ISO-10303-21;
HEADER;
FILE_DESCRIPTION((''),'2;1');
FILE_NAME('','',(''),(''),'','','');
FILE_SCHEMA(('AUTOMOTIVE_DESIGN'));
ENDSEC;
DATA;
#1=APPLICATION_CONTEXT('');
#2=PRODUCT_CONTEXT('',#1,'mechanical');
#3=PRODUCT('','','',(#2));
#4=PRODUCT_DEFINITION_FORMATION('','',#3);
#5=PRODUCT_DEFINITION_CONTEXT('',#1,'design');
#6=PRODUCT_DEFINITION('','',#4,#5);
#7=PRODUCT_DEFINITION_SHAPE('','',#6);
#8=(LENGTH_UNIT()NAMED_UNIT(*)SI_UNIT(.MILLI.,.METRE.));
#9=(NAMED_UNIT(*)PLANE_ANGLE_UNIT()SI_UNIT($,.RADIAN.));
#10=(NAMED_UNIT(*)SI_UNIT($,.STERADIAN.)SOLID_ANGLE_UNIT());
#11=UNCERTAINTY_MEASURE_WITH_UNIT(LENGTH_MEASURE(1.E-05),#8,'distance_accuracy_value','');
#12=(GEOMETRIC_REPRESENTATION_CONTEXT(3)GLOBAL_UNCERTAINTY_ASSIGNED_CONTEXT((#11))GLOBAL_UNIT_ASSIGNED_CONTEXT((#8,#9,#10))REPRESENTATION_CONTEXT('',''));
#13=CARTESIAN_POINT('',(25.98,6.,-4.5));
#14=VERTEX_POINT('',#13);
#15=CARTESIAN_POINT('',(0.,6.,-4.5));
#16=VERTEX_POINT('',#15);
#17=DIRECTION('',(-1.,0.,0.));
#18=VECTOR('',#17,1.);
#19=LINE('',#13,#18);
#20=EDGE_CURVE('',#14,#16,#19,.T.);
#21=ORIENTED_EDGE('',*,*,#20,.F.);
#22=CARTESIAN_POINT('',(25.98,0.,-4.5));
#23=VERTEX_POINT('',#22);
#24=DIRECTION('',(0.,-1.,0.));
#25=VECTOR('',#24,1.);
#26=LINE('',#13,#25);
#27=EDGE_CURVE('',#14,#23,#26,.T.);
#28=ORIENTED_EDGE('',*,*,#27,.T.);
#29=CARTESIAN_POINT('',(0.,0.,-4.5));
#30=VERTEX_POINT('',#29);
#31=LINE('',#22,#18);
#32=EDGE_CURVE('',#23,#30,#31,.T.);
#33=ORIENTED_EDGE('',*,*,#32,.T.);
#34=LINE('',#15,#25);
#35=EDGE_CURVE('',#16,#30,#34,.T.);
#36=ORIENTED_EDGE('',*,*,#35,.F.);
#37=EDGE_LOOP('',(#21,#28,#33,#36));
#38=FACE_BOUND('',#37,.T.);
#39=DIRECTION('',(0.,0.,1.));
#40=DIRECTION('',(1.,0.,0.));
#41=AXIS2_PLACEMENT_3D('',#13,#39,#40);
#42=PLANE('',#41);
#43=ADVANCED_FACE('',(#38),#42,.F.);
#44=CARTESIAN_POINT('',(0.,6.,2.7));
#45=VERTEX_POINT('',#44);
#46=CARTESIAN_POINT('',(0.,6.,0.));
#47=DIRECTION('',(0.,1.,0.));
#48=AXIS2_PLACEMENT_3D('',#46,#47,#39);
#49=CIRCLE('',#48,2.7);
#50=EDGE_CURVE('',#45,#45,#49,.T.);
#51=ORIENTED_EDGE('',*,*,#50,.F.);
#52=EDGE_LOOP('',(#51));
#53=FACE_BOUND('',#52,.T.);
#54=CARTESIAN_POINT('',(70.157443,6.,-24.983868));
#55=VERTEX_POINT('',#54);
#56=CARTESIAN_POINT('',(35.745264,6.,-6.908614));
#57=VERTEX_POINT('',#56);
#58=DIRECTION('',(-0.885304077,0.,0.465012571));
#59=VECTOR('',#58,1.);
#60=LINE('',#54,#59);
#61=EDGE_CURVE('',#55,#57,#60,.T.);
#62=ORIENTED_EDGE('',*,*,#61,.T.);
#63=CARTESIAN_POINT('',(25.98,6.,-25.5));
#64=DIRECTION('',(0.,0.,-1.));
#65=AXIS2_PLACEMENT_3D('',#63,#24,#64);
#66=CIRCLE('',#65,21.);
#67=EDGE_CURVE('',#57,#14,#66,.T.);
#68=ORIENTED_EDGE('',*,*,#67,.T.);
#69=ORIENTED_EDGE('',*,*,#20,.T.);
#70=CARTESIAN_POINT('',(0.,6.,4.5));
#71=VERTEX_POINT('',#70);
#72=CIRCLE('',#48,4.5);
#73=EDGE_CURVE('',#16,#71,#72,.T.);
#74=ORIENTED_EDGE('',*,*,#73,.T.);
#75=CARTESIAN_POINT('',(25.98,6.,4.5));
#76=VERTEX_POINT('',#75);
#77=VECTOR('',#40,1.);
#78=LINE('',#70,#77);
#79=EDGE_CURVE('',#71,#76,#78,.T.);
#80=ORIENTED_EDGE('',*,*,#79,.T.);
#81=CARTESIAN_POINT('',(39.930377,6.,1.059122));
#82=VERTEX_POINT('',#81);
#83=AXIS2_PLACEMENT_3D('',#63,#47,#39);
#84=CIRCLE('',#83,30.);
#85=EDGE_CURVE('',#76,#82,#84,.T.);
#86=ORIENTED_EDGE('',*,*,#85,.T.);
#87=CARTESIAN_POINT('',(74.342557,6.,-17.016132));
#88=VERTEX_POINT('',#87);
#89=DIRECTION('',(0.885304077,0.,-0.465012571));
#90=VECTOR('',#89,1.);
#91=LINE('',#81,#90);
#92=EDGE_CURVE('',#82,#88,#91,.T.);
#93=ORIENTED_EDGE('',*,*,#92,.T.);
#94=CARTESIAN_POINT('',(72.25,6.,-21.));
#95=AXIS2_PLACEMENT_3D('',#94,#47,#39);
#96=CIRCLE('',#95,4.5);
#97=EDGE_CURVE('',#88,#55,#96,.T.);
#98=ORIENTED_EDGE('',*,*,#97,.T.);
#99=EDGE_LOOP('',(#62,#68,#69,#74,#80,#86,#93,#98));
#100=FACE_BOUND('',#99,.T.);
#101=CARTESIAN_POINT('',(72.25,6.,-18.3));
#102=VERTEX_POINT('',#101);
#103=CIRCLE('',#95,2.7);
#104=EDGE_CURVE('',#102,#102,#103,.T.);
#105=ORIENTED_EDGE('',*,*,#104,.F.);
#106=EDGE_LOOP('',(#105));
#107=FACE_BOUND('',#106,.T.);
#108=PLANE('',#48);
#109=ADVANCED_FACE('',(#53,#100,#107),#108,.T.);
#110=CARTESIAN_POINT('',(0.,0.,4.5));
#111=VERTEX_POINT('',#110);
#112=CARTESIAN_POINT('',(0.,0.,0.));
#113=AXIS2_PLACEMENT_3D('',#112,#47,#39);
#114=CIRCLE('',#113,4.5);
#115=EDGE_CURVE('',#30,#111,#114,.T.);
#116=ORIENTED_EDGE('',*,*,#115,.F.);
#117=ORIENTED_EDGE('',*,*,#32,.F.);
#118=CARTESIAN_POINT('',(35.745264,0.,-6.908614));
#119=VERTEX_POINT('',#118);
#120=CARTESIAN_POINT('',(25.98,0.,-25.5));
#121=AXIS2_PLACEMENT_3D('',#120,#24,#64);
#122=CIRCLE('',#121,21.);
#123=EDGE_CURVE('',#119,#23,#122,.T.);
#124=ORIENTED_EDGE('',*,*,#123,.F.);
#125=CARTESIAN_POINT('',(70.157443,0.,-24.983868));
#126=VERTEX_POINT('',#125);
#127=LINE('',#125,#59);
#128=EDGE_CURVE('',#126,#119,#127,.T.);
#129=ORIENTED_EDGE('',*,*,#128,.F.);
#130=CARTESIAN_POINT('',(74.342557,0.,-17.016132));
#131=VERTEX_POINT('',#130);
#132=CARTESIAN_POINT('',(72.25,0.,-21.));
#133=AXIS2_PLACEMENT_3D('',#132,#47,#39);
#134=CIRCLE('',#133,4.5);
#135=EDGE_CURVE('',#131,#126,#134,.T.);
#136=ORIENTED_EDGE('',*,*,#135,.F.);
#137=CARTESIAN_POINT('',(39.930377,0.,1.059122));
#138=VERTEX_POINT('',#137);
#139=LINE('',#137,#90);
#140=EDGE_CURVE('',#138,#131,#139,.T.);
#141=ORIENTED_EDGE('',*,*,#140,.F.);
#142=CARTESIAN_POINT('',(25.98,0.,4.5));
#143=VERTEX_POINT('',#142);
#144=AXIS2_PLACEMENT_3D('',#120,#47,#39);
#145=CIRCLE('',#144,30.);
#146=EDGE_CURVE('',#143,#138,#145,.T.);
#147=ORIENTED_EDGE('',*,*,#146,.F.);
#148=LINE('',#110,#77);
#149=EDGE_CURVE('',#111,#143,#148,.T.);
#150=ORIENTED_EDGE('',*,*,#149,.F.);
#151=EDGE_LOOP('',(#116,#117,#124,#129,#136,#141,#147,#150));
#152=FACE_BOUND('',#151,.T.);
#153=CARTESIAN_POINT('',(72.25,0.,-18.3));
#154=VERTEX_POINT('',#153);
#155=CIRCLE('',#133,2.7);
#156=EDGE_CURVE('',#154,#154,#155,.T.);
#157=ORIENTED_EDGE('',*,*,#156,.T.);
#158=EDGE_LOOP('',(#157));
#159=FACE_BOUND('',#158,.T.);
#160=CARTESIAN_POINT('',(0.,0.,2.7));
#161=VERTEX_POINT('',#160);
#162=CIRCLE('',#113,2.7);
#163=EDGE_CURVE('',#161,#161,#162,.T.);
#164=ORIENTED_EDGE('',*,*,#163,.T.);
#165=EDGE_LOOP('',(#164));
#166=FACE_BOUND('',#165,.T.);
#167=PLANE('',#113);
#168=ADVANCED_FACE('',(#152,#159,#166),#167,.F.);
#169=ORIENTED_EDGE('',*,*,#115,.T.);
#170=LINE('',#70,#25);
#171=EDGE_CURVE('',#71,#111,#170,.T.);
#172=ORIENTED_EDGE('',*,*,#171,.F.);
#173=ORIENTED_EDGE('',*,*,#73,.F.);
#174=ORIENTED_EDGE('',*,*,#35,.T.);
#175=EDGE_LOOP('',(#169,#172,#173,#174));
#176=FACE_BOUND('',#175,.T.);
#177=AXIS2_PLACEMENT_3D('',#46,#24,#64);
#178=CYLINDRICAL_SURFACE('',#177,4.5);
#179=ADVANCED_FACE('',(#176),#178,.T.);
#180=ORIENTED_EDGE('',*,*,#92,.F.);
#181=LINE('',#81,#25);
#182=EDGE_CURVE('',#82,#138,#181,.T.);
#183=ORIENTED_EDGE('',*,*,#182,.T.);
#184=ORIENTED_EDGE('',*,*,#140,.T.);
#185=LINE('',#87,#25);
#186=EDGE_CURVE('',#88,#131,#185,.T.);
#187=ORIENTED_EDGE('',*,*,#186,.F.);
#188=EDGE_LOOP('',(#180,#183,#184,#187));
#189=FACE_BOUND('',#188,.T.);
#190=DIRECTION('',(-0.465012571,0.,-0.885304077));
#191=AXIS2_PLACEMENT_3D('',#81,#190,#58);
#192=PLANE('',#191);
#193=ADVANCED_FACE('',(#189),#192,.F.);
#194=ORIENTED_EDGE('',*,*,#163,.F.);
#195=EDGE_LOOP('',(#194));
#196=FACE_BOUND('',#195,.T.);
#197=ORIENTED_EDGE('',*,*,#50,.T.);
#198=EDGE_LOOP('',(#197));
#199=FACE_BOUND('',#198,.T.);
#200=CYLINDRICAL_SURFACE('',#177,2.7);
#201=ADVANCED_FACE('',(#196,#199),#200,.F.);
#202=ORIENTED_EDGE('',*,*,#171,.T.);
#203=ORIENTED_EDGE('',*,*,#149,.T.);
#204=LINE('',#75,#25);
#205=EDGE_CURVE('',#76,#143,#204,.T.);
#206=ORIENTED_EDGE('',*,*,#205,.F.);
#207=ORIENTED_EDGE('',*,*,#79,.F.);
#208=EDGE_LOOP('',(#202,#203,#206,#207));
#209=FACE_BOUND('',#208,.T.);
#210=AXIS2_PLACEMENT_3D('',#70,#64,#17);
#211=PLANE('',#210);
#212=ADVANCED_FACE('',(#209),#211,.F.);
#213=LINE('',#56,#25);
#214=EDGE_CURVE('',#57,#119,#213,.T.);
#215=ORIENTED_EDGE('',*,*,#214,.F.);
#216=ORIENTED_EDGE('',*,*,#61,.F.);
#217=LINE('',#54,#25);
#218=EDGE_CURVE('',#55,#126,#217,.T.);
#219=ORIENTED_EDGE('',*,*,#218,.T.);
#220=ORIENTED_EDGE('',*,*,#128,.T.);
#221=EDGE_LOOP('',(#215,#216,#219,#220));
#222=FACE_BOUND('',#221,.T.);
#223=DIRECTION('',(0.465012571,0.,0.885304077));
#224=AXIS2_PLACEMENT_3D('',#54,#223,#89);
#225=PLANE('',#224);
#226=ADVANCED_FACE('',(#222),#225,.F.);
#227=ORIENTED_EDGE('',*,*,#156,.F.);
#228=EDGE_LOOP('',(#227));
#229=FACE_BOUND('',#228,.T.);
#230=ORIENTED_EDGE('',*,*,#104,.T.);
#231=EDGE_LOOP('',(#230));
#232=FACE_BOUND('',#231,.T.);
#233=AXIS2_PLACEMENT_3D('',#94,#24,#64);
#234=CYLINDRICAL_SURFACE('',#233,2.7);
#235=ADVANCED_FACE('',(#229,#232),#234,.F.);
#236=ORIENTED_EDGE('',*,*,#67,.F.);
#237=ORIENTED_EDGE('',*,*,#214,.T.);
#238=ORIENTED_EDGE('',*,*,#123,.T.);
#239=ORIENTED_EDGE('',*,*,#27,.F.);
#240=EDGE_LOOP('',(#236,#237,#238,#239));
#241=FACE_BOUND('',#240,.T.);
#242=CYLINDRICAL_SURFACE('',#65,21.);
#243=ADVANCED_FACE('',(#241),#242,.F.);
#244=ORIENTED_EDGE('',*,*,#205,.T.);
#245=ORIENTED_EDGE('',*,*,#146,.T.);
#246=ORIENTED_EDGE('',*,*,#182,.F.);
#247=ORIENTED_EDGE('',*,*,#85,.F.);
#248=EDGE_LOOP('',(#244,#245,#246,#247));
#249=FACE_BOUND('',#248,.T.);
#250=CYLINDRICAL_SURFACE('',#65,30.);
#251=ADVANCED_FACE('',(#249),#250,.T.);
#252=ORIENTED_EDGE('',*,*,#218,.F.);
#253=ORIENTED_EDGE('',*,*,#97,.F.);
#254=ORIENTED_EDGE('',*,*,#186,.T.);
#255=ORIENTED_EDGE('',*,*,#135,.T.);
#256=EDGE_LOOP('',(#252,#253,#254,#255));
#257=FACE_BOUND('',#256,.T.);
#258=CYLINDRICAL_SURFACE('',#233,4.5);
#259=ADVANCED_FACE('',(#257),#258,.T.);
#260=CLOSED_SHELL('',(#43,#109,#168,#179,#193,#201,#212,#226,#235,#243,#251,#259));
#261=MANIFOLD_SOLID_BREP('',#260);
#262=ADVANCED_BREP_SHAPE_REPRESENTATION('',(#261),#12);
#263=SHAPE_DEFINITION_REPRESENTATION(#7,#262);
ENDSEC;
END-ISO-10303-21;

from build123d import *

# Parameters (mm, degrees)
SKETCH1_R           = 2.7
BOSS_EXTRUDE1_DEPTH = 6


with BuildPart() as part:
    # Sketch1 → Boss-Extrude1 (new body)
    with BuildSketch(Plane(origin=(0, 0, 0), x_dir=(1, 0, 0), z_dir=(0, 1, 0))):
        with BuildLine():
            Line((0, -4.5), (25.98, -4.5))
            ThreePointArc((25.98, -4.5), (33.164230321, -3.627080779), (39.930377125, -1.059122313))
            Line((39.930377125, -1.059122313), (74.342556569, 17.016131653))
            ThreePointArc((74.342556569, 17.016131653), (76.233868347, 23.092556569), (70.157443431, 24.983868347))
            Line((70.157443431, 24.983868347), (35.745263988, 6.908614381))
            ThreePointArc((35.745263988, 6.908614381), (31.008961224, 5.111043455), (25.98, 4.5))
            Line((25.98, 4.5), (0, 4.5))
            ThreePointArc((0, 4.5), (-4.5, 0), (0, -4.5))
        make_face()
        with Locations(Location((0, 0, 0), (0, 0, 270))):
            Circle(SKETCH1_R, mode=Mode.SUBTRACT)
        with Locations(Location((72.25, 21, 0), (0, 0, 270))):
            Circle(SKETCH1_R, mode=Mode.SUBTRACT)
    extrude(amount=BOSS_EXTRUDE1_DEPTH)


solid = part.part
